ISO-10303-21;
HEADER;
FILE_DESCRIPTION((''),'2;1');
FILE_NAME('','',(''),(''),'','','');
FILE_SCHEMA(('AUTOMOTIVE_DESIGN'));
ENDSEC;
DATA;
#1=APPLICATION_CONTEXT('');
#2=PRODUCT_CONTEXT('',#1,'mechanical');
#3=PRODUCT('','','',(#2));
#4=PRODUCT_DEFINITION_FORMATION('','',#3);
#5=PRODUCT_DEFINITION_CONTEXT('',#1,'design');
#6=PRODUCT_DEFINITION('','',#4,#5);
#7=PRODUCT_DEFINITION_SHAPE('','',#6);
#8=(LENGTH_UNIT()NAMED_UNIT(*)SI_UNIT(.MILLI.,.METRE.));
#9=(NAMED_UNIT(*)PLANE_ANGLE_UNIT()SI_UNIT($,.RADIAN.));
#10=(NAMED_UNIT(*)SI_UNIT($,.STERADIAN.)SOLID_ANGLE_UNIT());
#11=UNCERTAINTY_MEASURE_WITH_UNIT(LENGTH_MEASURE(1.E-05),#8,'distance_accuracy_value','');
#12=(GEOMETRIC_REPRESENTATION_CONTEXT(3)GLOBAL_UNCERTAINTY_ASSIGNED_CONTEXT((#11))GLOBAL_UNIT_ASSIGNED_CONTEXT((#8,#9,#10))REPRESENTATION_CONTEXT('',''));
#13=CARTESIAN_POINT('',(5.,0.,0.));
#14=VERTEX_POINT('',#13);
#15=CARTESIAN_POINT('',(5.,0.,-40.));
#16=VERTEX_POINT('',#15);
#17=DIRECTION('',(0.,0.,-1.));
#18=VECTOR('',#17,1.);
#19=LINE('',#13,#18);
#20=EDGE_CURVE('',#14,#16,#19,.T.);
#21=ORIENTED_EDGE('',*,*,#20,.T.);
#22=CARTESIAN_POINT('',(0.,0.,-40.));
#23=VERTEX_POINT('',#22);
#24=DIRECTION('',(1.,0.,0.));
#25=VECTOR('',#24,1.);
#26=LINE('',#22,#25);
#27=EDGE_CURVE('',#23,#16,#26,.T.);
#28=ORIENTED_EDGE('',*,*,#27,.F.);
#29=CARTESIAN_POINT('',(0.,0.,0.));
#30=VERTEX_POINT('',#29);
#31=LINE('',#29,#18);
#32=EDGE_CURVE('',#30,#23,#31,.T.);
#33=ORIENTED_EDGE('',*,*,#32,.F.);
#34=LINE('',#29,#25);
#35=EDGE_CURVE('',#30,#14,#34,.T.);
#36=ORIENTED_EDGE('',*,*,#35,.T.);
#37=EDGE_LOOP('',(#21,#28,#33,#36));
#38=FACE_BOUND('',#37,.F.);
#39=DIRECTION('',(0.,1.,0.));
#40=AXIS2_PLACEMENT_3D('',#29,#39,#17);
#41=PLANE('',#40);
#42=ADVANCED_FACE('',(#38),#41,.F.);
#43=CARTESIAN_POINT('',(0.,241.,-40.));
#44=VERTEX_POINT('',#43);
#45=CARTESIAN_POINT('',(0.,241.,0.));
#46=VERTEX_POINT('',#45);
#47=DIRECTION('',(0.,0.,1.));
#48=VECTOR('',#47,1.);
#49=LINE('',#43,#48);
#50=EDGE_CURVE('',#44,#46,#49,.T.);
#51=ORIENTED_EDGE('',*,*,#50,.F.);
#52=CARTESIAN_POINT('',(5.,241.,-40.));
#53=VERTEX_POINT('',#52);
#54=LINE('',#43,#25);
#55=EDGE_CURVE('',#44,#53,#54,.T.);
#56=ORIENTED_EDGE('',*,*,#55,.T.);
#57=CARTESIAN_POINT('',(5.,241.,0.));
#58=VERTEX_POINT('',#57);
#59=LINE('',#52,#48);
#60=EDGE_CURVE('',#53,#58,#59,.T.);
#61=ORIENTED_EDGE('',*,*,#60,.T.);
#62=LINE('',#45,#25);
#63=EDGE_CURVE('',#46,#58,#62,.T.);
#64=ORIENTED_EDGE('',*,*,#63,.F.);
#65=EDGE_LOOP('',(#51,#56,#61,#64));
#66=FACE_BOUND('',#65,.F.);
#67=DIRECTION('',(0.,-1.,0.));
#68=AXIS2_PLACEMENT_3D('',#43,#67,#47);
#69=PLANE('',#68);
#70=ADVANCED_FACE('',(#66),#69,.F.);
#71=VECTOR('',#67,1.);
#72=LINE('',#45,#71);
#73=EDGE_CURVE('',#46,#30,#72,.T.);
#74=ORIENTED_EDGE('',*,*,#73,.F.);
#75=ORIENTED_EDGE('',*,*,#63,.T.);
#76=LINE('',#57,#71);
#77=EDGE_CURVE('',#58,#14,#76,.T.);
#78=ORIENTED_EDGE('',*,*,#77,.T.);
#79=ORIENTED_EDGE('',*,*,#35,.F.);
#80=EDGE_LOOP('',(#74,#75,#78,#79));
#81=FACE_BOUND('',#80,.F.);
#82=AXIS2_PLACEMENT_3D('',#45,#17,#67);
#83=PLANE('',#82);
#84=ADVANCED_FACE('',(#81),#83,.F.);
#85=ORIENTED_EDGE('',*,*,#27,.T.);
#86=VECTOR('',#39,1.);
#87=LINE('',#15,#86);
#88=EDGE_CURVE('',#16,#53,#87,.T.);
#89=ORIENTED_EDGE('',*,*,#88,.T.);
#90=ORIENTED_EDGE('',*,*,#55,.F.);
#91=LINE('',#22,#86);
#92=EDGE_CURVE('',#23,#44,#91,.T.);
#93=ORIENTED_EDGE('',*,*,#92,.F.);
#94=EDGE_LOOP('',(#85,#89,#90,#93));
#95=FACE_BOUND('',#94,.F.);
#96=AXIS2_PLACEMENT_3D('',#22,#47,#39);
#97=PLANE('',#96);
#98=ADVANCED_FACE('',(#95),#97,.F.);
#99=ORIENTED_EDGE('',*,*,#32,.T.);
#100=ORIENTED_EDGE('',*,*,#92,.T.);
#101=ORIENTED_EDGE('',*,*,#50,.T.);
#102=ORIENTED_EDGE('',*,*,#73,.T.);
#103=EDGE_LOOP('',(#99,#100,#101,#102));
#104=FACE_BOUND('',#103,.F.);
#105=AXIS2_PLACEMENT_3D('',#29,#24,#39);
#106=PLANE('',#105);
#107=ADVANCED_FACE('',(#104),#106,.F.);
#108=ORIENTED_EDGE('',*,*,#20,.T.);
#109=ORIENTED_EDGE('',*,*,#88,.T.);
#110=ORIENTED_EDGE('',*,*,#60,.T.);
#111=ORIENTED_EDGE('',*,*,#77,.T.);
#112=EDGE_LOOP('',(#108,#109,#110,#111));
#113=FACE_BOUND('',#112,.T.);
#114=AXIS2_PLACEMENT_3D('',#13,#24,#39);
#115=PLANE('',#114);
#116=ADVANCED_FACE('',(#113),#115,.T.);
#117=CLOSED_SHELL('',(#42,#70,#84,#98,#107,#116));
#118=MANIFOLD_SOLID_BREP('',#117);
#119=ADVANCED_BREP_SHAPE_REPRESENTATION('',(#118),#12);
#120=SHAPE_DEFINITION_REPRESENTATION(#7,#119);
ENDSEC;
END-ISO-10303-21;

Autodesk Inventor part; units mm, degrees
ref_plane "YZ Plane" through (0, 0, 0) normal (1, 0, 0) x (0, 1, 0)
ref_plane "XZ Plane" through (0, 0, 0) normal (0, 1, 0) x (-1, 0, 0)
ref_plane "XY Plane" through (0, 0, 0) normal (0, 0, 1) x (1, 0, 0)
sketch "Sketch2" plane through (0, 0, 0) normal (1, 0, 0) x (0, 1, 0)
  line L0 (241, 0) -> (0, 0)
  line L1 (0, 0) -> (0, -40)
  line L2 (0, -40) -> (241, -40)
  line L3 (241, -40) -> (241, 0)
  dimension "d0" = 241
  dimension "d1" = 40
extrude "Extrusion1" add sketch "Sketch2" along normal blind 5
properties part number "outer wall"
